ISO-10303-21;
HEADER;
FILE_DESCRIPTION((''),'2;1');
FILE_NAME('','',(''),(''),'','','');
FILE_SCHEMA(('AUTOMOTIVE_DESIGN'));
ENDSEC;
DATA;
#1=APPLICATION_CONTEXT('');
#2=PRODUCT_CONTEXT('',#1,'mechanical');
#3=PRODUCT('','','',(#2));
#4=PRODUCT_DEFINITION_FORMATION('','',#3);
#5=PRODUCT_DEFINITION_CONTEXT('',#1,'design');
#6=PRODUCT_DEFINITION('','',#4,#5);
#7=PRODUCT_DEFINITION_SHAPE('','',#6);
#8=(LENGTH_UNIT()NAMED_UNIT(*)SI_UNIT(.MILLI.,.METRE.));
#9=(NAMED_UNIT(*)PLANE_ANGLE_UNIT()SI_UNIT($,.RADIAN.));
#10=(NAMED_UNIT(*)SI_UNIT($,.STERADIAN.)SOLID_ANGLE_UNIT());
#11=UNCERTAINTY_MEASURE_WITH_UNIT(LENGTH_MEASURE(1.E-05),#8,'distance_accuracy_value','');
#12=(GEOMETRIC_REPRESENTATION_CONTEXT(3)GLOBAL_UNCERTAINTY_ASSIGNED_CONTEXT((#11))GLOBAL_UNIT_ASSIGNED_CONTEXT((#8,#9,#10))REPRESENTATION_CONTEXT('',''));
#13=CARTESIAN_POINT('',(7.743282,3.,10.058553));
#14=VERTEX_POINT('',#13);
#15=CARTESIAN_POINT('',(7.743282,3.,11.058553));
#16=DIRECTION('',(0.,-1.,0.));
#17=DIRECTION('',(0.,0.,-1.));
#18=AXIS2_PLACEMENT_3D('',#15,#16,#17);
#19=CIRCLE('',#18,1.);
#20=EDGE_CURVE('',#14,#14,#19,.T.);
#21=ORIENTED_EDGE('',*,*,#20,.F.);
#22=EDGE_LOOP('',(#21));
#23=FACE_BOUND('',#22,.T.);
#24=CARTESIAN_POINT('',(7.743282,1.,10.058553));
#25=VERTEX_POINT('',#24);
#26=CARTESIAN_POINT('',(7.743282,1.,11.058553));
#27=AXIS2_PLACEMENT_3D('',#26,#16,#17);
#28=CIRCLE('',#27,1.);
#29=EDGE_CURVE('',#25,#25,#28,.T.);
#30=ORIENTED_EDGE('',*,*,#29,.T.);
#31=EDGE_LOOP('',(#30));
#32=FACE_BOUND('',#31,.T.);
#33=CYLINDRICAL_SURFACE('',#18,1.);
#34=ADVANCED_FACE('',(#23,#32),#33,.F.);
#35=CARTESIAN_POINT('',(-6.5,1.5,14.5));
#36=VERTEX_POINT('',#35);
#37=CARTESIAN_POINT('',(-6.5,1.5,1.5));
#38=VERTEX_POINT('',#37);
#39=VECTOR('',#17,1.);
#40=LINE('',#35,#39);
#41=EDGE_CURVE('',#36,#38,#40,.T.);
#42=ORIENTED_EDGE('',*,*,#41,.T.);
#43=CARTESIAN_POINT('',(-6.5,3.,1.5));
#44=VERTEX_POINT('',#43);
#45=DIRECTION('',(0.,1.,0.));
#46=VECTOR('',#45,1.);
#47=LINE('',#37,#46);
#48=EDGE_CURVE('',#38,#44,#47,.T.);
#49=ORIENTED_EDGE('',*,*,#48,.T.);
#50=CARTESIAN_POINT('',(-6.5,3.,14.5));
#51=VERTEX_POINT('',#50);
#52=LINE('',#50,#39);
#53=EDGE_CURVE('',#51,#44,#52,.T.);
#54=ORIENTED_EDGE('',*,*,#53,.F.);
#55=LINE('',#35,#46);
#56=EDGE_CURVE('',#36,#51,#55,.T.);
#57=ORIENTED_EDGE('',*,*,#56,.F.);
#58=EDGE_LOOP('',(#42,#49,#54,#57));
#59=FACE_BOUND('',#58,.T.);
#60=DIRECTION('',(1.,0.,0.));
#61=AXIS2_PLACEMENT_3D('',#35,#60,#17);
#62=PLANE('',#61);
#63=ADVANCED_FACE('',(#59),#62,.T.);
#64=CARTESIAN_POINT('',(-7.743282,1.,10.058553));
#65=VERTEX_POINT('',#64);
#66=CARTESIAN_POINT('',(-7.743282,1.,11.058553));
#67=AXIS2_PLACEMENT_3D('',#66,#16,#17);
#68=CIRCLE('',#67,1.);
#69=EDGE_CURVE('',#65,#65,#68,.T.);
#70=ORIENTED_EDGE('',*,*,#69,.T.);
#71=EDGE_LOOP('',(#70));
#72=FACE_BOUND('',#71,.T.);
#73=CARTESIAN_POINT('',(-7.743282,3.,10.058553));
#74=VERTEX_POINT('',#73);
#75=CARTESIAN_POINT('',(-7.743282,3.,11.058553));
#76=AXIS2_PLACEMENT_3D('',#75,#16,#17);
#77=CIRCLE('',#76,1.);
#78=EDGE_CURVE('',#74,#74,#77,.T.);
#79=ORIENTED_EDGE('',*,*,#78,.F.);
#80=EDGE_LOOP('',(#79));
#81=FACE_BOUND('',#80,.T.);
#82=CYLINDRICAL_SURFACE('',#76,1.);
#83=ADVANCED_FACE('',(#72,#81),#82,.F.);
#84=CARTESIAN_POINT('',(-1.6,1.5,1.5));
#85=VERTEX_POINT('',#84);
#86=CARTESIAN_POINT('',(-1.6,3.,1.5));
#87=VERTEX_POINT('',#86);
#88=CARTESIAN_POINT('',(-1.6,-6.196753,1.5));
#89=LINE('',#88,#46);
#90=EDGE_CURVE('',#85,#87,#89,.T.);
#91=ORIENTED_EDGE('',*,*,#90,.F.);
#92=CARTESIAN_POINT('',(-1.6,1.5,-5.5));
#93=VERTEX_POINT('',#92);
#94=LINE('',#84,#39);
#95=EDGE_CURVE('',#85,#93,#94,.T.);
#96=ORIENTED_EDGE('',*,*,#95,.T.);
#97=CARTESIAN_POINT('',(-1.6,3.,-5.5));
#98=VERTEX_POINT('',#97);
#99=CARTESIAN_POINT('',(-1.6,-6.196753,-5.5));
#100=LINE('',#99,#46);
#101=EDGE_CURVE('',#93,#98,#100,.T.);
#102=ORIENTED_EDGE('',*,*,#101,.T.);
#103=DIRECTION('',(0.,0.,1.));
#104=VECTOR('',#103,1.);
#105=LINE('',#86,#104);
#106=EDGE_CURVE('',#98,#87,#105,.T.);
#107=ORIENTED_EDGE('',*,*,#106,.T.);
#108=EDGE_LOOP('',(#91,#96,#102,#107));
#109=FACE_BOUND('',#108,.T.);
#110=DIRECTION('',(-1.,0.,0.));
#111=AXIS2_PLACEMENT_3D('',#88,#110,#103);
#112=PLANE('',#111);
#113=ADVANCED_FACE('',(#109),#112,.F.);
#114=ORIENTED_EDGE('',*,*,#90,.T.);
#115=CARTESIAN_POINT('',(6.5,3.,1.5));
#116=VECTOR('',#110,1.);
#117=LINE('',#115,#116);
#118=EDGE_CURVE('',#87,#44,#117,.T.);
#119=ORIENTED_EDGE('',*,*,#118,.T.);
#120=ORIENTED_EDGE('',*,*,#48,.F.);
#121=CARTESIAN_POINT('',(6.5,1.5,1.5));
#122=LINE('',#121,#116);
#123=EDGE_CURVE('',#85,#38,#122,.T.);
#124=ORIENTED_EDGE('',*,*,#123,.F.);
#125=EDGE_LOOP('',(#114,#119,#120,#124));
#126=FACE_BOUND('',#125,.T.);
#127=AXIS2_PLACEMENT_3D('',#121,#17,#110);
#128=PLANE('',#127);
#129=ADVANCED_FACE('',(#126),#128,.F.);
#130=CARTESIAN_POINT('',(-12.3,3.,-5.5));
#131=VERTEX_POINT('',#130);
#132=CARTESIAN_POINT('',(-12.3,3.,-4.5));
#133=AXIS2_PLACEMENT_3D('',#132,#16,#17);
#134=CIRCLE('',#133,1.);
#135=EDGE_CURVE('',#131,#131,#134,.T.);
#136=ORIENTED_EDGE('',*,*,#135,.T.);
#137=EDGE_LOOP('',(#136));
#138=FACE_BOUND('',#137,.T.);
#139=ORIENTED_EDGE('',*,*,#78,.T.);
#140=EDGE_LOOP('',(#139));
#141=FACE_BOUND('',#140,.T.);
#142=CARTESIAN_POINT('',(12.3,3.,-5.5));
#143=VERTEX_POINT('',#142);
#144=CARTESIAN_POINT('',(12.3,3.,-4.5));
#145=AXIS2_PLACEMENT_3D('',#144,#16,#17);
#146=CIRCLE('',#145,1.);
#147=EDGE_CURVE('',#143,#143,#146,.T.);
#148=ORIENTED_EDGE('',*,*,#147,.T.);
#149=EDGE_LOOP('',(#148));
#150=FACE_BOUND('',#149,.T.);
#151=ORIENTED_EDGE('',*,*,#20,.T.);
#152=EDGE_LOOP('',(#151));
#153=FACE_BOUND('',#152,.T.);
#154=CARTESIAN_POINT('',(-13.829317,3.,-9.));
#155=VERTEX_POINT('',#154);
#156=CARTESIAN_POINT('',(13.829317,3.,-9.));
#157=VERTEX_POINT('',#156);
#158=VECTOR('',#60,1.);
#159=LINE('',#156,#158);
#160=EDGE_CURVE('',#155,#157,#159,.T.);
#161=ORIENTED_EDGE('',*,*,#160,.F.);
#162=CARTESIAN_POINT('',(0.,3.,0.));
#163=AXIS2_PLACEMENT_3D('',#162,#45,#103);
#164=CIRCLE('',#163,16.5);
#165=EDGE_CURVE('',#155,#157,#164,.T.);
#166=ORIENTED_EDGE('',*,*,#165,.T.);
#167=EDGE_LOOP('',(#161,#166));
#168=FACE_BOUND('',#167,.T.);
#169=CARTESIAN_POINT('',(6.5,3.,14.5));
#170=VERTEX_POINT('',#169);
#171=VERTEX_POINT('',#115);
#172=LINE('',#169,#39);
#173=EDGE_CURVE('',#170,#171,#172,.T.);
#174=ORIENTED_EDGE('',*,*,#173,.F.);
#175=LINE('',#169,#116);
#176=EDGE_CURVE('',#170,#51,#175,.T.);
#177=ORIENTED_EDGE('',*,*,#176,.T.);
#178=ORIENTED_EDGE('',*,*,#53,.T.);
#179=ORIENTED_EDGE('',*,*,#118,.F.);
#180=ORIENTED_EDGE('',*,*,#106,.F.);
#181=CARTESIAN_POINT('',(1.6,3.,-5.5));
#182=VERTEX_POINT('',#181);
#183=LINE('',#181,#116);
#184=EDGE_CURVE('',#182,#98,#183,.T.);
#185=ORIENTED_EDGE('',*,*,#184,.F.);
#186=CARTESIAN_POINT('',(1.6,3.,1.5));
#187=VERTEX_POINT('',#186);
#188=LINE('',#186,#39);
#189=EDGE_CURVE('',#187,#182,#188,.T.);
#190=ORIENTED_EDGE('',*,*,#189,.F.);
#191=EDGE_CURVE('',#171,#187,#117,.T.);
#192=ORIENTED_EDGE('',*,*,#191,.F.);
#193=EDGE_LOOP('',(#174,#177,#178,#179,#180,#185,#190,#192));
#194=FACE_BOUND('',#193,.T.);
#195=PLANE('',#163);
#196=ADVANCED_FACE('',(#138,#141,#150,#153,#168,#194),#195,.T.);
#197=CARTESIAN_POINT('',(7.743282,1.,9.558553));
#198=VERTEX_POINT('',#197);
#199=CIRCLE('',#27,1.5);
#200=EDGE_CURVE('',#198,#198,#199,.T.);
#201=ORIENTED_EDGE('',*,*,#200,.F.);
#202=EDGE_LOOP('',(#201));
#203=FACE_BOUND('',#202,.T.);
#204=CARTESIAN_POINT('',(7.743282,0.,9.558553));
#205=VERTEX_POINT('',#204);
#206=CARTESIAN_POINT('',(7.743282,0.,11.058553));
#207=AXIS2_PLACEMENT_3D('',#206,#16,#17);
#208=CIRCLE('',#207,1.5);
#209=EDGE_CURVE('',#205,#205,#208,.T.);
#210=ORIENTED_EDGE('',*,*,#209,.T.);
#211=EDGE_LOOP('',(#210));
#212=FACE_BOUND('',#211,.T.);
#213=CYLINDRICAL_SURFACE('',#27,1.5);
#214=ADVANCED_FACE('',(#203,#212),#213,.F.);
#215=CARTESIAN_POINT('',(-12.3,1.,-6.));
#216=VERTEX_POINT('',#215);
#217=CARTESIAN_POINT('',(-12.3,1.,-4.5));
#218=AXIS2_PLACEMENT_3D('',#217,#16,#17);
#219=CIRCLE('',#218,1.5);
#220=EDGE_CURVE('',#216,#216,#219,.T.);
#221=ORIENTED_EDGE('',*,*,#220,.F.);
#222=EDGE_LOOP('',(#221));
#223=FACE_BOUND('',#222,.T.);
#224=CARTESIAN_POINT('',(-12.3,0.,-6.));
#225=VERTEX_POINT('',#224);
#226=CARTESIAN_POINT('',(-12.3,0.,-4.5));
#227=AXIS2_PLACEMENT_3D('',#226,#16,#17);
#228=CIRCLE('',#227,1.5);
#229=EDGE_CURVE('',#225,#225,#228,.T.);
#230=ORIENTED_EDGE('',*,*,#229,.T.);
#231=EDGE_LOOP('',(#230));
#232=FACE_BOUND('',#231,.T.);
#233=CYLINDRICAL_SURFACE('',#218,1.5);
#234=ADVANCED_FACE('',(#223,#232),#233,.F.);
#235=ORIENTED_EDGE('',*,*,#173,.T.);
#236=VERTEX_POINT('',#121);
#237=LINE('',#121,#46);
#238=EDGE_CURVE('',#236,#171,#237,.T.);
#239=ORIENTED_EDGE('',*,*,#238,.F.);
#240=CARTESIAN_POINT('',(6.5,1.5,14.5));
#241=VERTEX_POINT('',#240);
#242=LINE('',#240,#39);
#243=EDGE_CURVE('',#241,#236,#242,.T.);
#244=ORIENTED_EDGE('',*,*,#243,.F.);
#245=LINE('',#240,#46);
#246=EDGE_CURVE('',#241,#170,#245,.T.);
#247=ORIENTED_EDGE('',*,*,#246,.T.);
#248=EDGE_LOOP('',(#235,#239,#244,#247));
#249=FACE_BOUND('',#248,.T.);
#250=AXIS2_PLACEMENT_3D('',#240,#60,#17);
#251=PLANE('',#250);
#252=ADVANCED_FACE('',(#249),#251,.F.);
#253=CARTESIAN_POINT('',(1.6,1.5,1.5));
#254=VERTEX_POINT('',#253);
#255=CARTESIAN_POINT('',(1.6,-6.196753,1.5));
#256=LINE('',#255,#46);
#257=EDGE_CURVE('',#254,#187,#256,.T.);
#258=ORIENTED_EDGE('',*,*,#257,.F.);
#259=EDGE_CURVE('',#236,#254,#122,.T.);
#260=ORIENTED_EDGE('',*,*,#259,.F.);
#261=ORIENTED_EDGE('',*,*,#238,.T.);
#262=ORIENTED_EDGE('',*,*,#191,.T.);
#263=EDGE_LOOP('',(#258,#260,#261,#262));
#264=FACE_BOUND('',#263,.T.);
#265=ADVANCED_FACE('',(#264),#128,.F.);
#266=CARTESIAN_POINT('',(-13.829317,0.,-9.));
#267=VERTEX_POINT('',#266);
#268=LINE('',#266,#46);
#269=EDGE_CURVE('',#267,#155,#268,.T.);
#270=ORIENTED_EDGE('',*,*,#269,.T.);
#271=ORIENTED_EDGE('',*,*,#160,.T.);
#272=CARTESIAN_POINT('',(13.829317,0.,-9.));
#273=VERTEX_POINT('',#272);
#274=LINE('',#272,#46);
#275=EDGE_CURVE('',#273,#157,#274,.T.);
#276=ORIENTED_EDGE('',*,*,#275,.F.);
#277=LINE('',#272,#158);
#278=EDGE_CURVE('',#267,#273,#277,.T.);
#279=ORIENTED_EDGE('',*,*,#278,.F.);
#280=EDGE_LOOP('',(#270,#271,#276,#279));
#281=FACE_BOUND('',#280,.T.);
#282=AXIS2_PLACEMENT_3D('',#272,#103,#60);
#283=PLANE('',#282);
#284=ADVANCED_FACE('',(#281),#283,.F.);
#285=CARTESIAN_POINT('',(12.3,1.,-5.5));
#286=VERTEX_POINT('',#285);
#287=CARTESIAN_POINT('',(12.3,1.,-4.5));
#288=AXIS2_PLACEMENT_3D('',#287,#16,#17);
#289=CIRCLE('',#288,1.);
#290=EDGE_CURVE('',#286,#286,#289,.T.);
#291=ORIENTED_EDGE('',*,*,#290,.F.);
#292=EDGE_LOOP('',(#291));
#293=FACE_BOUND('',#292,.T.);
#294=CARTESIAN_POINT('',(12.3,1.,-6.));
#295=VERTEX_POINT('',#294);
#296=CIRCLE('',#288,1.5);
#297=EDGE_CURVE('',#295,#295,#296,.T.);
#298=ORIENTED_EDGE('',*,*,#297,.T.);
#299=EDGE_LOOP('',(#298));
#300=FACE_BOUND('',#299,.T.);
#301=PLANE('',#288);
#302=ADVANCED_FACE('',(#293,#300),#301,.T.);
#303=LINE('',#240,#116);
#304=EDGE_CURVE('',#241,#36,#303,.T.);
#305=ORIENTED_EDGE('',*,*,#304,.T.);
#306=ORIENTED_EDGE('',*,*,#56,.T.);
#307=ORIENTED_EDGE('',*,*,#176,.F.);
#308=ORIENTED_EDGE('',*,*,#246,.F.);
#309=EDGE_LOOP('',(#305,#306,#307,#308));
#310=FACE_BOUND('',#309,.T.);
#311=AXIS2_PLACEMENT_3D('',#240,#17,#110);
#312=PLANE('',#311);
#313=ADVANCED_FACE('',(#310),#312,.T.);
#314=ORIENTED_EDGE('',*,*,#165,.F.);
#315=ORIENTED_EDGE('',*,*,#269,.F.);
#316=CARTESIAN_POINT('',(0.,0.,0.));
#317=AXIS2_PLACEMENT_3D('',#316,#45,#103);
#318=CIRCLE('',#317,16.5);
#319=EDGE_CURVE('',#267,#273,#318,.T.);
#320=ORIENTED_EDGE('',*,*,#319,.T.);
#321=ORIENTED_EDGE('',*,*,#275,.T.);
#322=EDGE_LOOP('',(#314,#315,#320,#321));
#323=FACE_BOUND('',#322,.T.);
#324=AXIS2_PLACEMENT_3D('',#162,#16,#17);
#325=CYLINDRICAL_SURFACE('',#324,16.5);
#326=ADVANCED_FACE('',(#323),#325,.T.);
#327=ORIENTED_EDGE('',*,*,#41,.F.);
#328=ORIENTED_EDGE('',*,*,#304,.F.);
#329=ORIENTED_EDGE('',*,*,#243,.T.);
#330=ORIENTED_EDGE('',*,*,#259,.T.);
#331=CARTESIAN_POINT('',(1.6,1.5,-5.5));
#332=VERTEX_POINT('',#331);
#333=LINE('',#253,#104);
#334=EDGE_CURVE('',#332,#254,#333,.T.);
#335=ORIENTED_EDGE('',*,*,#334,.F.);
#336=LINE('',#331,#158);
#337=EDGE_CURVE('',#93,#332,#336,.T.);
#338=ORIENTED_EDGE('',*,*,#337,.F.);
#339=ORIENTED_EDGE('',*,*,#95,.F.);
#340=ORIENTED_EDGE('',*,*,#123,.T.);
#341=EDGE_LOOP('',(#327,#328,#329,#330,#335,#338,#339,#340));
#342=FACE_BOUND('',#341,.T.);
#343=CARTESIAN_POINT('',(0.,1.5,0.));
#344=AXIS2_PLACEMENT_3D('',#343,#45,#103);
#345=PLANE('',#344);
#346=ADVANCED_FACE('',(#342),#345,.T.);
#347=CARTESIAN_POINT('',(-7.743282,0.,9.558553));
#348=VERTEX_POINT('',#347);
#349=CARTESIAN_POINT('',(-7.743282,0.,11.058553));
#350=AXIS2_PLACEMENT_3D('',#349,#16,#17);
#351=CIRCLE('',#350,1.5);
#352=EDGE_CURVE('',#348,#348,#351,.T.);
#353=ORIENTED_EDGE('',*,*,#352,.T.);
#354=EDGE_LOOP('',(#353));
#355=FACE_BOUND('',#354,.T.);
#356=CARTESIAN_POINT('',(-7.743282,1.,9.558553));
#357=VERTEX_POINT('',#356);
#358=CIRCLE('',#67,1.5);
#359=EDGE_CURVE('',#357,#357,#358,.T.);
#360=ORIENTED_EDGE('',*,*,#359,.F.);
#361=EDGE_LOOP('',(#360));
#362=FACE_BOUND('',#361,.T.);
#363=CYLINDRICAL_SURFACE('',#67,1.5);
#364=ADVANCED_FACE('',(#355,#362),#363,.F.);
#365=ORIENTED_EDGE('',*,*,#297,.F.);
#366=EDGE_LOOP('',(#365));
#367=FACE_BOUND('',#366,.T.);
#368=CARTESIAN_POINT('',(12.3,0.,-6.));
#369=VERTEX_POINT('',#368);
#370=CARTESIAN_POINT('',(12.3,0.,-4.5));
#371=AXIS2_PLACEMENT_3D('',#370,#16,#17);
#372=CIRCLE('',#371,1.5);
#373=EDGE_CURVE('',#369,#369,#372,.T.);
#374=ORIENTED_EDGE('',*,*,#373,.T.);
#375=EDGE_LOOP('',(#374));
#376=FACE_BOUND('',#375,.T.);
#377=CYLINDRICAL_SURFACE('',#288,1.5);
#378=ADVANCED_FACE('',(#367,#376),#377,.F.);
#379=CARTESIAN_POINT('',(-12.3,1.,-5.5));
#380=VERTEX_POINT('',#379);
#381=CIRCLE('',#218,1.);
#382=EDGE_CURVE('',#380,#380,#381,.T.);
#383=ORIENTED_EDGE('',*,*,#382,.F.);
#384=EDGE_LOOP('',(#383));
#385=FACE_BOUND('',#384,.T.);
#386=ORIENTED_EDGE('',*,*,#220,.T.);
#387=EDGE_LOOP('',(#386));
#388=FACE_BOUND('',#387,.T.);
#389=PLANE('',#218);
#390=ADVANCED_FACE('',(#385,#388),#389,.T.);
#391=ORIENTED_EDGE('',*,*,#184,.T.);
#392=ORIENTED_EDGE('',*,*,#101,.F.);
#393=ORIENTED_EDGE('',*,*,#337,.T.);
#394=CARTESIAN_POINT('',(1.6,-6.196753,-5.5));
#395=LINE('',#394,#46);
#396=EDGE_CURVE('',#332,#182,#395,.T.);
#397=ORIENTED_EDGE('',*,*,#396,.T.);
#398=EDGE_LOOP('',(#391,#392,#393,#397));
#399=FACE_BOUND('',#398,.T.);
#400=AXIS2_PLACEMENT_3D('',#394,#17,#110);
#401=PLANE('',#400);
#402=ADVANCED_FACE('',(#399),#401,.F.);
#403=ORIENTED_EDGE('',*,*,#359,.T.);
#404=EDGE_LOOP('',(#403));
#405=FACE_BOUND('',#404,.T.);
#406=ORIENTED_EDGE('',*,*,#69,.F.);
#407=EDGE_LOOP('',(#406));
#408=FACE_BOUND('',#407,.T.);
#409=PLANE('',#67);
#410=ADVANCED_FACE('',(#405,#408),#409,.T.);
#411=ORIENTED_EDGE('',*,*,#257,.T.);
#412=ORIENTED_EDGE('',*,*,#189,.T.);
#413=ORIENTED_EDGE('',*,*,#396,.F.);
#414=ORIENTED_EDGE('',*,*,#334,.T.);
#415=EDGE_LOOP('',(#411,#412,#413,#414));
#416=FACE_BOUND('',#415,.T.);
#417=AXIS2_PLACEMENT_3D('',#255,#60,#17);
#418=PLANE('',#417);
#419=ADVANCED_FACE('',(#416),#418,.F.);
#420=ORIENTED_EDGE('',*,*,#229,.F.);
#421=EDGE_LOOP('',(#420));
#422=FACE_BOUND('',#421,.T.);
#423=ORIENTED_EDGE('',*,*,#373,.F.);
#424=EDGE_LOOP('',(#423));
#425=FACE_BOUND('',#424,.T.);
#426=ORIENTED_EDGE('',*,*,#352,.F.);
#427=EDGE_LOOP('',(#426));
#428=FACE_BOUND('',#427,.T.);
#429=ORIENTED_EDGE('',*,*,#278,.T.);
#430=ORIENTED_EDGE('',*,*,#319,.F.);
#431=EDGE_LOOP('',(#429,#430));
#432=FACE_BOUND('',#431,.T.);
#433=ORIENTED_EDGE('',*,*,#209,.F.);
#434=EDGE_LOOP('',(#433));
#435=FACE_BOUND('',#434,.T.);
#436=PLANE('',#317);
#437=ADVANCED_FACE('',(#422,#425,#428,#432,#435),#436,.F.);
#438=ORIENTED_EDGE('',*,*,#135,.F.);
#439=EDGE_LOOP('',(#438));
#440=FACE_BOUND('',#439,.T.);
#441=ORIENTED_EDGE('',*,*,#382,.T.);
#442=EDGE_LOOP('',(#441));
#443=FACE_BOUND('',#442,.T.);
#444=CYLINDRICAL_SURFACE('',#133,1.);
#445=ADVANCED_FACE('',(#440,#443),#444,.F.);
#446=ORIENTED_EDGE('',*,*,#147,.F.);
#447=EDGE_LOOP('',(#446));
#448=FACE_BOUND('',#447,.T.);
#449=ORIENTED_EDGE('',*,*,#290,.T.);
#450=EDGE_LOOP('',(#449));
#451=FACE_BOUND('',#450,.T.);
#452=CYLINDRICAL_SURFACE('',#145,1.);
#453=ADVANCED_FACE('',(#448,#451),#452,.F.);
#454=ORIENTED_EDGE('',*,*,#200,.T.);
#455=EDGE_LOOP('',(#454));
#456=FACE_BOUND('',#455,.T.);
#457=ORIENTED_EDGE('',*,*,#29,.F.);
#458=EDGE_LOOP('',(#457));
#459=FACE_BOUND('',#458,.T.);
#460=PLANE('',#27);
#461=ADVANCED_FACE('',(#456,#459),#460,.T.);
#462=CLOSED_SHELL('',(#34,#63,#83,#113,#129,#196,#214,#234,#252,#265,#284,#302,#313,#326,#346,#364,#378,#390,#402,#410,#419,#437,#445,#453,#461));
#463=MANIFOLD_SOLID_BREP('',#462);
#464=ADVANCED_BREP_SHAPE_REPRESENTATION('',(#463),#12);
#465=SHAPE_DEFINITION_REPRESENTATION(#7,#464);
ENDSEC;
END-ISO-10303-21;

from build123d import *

# Parameters (mm, degrees)
SKETCH_1_R          = 16.5
EXTRUDE_1_DEPTH     = 3
SKETCH_2_W          = 13
SKETCH_2_H          = 13
CUT_EXTRUDE_1_DEPTH = 1.5
SKETCH_3_W          = 3.2
SKETCH_3_H          = 7
CUT_EXTRUDE_2_DEPTH = 1.5
SKETCH_4_R          = 1.5
SKETCH_4_R_2        = 1
CUT_EXTRUDE_3_DEPTH = 1
SKETCH_4_2_R        = 1
CUT_EXTRUDE_4_DEPTH = 24.526580712
SKETCH_5_W          = 27.658633372
SKETCH_5_H          = 9.051760597
CUT_EXTRUDE_5_DEPTH = 24.526580712


with BuildPart() as part:
    # 草图1 → 凸台-拉伸1 (new body)
    with BuildSketch(Plane(origin=(0, 0, 0), x_dir=(1, 0, 0), z_dir=(0, 1, 0))):
        with Locations(Location((0, 0, 0), (0, 0, 270))):
            Circle(SKETCH_1_R)
    extrude(amount=EXTRUDE_1_DEPTH)

    # 草图2 → 切除-拉伸1 (cut)
    with BuildSketch(Plane(origin=(0, 3, 0), x_dir=(1, 0, 0), z_dir=(0, 1, 0))):
        with Locations((0, -8)):
            Rectangle(SKETCH_2_W, SKETCH_2_H)
    extrude(amount=-CUT_EXTRUDE_1_DEPTH, mode=Mode.SUBTRACT)

    # 草图3 → 切除-拉伸2 (cut)
    with BuildSketch(Plane(origin=(0, 3, 0), x_dir=(1, 0, 0), z_dir=(0, 1, 0))):
        with Locations((0, 2)):
            Rectangle(SKETCH_3_W, SKETCH_3_H)
    extrude(amount=-CUT_EXTRUDE_2_DEPTH, mode=Mode.SUBTRACT)

    # 草图4 → 切除-拉伸3 (cut)
    # profile 1 of 4: a face of its own
    with BuildSketch(Plane.XZ):
        with Locations(Location((7.743281891, 11.058552598, 0), (0, 0, 270))):
            Circle(SKETCH_4_R)
        with Locations(Location((7.743281891, 11.058552598, 0), (0, 0, 270))):
            Circle(SKETCH_4_R_2, mode=Mode.SUBTRACT)
    # profile 2 of 4: a face of its own
    with BuildSketch(Plane.XZ):
        with Locations(Location((-7.743281891, 11.058552598, 0), (0, 0, 270))):
            Circle(SKETCH_4_R)
        with Locations(Location((-7.743281891, 11.058552598, 0), (0, 0, 270))):
            Circle(SKETCH_4_R_2, mode=Mode.SUBTRACT)
    # profile 3 of 4: a face of its own
    with BuildSketch(Plane.XZ):
        with Locations(Location((-12.3, -4.5, 0), (0, 0, 270))):
            Circle(SKETCH_4_R)
        with Locations(Location((-12.3, -4.5, 0), (0, 0, 270))):
            Circle(SKETCH_4_R_2, mode=Mode.SUBTRACT)
    # profile 4 of 4: a face of its own
    with BuildSketch(Plane.XZ):
        with Locations(Location((12.3, -4.5, 0), (0, 0, 270))):
            Circle(SKETCH_4_R)
        with Locations(Location((12.3, -4.5, 0), (0, 0, 270))):
            Circle(SKETCH_4_R_2, mode=Mode.SUBTRACT)
    extrude(amount=-CUT_EXTRUDE_3_DEPTH, mode=Mode.SUBTRACT)

    # 草图4<2> → 切除-拉伸4 (cut, through all)
    with BuildSketch(Plane.XZ):
        with Locations(Location((7.743281891, 11.058552598, 0), (0, 0, 270))):
            Circle(SKETCH_4_2_R)
        with Locations(Location((-7.743281891, 11.058552598, 0), (0, 0, 270))):
            Circle(SKETCH_4_2_R)
        with Locations(Location((-12.3, -4.5, 0), (0, 0, 270))):
            Circle(SKETCH_4_2_R)
        with Locations(Location((12.3, -4.5, 0), (0, 0, 270))):
            Circle(SKETCH_4_2_R)
    extrude(amount=-CUT_EXTRUDE_4_DEPTH, mode=Mode.SUBTRACT)

    # 草图5 → 切除-拉伸5 (cut, through all)
    with BuildSketch(Plane(origin=(0, 3, 0), x_dir=(1, 0, 0), z_dir=(0, 1, 0))):
        with Locations((0, 13.525880299)):
            Rectangle(SKETCH_5_W, SKETCH_5_H)
    extrude(amount=-CUT_EXTRUDE_5_DEPTH, mode=Mode.SUBTRACT)


solid = part.part
